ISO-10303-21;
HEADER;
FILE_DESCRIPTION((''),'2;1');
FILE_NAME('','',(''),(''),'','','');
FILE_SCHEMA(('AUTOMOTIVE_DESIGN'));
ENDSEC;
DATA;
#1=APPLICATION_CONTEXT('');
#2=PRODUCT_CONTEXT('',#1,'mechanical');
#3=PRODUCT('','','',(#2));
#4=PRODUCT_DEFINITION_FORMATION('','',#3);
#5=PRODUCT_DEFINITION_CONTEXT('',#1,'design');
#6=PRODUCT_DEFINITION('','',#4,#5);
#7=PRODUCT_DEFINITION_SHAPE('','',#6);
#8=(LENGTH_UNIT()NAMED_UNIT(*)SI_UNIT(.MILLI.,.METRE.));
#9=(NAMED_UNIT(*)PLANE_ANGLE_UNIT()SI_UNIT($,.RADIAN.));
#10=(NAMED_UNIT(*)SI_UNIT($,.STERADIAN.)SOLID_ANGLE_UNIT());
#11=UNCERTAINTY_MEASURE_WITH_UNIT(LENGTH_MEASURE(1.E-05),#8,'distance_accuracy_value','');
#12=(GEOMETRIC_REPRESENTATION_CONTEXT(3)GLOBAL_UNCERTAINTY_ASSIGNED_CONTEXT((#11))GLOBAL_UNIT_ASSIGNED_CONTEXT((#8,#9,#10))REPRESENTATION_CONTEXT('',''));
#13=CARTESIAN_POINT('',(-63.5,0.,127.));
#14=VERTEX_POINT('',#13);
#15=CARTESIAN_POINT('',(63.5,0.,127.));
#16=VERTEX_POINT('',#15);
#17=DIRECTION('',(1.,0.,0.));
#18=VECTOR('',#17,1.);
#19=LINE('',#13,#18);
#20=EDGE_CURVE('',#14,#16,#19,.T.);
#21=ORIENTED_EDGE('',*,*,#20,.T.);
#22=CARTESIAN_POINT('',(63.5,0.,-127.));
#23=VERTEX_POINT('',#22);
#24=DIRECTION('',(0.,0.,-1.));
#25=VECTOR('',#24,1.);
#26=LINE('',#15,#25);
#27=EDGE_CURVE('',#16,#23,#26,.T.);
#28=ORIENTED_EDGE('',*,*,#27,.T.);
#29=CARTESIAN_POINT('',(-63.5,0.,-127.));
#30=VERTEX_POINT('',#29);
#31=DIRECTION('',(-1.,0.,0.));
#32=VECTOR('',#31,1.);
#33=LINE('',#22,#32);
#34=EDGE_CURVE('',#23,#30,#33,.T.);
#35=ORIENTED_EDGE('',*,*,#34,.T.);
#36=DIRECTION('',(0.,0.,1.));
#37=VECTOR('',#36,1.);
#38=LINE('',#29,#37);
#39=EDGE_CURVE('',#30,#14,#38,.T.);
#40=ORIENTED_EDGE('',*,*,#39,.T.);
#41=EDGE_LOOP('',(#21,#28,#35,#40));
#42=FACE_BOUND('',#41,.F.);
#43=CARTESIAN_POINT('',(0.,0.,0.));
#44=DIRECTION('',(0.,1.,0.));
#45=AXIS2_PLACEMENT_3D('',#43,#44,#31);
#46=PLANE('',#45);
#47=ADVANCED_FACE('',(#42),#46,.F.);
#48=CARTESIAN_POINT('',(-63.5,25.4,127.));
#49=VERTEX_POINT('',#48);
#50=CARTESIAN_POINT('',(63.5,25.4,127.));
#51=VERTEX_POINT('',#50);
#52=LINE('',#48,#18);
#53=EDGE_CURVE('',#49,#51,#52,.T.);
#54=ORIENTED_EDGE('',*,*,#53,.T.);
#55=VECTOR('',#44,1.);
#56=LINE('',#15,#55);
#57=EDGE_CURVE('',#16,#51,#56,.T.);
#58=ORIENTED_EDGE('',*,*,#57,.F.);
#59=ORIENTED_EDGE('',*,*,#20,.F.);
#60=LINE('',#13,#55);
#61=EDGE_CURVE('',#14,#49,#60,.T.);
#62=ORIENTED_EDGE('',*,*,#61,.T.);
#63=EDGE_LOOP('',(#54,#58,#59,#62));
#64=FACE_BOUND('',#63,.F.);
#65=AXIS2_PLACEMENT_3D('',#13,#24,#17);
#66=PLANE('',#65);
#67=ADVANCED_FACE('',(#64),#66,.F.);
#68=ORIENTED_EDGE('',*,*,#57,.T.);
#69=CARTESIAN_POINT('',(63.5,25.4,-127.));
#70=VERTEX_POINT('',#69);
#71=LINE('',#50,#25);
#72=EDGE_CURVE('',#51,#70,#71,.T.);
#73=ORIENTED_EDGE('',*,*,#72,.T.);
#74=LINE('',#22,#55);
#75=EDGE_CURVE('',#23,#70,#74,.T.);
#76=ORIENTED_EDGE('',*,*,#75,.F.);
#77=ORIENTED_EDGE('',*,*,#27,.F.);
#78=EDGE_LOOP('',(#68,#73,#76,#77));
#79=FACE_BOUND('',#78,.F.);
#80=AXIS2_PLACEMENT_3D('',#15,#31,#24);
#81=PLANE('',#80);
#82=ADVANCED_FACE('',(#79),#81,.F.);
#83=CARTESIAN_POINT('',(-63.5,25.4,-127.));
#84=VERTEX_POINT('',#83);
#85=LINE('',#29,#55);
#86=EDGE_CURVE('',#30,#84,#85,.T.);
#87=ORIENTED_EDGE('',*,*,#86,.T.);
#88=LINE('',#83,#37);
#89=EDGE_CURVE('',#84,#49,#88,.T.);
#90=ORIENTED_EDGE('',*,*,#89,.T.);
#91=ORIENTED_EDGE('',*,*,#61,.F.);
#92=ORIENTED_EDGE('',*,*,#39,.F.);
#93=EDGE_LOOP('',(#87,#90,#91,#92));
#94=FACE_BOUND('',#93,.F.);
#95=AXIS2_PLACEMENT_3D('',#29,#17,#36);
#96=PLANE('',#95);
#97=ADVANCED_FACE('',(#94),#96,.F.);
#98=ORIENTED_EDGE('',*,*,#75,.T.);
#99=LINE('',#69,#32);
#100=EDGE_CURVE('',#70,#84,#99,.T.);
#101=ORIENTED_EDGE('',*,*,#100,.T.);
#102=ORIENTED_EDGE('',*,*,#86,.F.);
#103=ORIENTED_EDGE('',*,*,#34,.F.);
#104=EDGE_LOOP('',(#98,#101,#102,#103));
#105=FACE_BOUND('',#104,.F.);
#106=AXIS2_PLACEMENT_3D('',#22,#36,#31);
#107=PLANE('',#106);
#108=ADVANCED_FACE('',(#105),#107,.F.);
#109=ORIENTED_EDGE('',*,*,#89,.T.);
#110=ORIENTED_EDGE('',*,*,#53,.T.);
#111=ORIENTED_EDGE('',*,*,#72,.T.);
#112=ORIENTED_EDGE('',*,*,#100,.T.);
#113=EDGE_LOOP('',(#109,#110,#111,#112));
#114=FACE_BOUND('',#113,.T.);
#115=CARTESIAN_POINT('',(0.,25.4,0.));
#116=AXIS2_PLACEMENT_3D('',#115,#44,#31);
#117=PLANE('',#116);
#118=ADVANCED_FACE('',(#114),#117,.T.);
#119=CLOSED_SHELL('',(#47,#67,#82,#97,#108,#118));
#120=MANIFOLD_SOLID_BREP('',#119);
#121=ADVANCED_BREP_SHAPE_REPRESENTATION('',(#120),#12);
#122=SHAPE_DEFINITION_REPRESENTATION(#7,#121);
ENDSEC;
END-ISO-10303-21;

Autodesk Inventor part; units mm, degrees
ref_plane "YZ Plane" through (0, 0, 0) normal (1, 0, 0) x (0, 1, 0)
ref_plane "XZ Plane" through (0, 0, 0) normal (0, 1, 0) x (-1, 0, 0)
ref_plane "XY Plane" through (0, 0, 0) normal (0, 0, 1) x (1, 0, 0)
sketch "Sketch1" plane through (0, 0, 0) normal (0, 1, 0) x (-1, 0, 0)
  line L0 (-63.5, 127) -> (-63.5, -127)
  line L1 (-63.5, -127) -> (63.5, -127)
  line L2 (63.5, -127) -> (63.5, 127)
  line L3 (63.5, 127) -> (-63.5, 127)
  line L4 (-63.5, 127) -> (63.5, -127) construction
  line L5 (-63.5, -127) -> (63.5, 127) construction
  point P0 (0, 0)
  dimension "height" = 127
  dimension "width" = 254
extrude "Extrusion1" add sketch "Sketch1" along normal blind 25.4
properties part number "bottomOfCase"
